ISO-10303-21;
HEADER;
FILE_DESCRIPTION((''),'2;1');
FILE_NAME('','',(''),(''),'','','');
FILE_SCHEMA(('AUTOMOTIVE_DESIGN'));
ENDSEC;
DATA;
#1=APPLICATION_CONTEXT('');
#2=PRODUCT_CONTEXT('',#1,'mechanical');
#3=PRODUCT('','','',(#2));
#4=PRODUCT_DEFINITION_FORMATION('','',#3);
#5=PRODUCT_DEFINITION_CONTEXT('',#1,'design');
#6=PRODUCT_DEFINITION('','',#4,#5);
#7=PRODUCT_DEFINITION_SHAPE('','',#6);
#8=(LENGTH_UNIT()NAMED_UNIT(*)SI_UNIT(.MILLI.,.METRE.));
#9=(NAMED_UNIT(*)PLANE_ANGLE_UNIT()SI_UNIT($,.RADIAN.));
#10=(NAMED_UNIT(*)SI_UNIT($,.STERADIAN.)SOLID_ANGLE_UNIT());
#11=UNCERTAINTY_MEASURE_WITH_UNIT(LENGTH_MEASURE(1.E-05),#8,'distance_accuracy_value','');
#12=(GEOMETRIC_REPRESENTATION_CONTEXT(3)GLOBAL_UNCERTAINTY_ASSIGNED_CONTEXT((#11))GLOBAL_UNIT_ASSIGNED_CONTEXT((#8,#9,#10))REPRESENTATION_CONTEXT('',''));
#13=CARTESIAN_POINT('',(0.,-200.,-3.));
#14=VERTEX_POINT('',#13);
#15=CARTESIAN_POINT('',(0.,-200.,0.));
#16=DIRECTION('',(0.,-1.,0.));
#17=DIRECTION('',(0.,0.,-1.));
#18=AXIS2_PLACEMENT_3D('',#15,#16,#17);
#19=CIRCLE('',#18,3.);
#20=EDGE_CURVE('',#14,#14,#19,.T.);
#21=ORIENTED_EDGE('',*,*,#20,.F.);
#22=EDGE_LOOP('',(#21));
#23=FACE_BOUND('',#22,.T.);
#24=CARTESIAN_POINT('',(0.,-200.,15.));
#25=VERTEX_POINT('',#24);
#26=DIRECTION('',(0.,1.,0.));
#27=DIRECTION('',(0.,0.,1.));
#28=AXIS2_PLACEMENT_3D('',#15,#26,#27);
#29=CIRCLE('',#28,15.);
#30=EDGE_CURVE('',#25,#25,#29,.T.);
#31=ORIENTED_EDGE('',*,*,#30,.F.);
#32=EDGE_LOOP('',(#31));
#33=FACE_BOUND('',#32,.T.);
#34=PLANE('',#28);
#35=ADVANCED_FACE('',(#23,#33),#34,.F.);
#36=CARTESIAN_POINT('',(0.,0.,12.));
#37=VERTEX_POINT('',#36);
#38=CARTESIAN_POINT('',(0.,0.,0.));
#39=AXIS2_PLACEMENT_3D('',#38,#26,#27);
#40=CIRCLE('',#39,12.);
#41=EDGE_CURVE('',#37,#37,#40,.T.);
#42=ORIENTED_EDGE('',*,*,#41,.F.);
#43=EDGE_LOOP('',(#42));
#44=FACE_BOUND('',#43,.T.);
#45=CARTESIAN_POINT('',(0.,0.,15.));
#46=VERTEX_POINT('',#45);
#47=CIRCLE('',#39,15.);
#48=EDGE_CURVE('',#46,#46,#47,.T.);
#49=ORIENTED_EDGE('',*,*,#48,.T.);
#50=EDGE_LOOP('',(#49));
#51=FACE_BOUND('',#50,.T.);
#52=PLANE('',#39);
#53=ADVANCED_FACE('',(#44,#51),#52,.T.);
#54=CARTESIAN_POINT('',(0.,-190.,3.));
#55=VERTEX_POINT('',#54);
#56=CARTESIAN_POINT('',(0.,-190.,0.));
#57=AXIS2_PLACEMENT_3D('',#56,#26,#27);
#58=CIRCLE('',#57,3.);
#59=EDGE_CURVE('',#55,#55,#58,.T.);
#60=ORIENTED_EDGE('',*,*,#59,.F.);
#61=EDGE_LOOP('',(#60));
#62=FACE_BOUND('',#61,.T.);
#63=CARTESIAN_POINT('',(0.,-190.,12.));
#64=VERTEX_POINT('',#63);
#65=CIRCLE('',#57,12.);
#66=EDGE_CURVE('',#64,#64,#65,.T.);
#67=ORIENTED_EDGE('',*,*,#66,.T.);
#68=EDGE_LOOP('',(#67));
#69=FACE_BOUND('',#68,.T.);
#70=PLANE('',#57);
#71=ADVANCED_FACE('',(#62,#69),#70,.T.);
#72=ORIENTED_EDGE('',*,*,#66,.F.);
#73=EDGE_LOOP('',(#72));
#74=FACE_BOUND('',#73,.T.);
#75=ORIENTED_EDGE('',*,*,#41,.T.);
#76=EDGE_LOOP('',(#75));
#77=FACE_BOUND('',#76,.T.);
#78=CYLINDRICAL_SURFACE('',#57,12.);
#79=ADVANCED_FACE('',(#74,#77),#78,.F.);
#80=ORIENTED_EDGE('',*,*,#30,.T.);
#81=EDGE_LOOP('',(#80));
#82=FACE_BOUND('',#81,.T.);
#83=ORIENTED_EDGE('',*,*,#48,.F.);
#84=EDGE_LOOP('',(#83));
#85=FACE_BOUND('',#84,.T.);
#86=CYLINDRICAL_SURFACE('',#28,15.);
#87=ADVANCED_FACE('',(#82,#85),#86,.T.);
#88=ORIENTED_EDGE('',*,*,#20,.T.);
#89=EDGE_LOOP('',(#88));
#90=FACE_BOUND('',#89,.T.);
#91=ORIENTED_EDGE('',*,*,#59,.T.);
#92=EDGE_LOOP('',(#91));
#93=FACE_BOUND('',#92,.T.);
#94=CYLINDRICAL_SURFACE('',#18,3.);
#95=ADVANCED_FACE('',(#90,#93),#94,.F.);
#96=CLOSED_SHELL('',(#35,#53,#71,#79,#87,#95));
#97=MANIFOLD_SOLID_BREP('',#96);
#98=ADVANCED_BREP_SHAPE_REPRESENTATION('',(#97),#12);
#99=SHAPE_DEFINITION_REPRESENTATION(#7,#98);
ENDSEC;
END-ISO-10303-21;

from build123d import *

# Parameters (mm, degrees)
SKETCH1_R                   = 15
EXTRUDE1_DEPTH              = 200
SKETCH2_R                   = 12
CUT_EXTRUDE1_DEPTH          = 190
M6_TAPPED_HOLE2_D           = 5
M6_TAPPED_HOLE2_DEPTH       = 15
M6_TAPPED_HOLE2_CBORE_D     = 6
M6_TAPPED_HOLE2_CBORE_DEPTH = 12
M6_TAPPED_HOLE2_TIP         = 1.502151548


with BuildPart() as part:
    # Sketch1 → Extrude1 (new body)
    with BuildSketch(Plane(origin=(0, 0, 0), x_dir=(1, 0, 0), z_dir=(0, 1, 0))):
        with Locations(Location((0, 0, 0), (0, 0, 270))):
            Circle(SKETCH1_R)
    extrude(amount=-EXTRUDE1_DEPTH)

    # Sketch2 → Cut-Extrude1 (cut)
    with BuildSketch(Plane(origin=(0, 0, 0), x_dir=(1, 0, 0), z_dir=(0, 1, 0))):
        with Locations(Location((0, 0, 0), (0, 0, 270))):
            Circle(SKETCH2_R)
    extrude(amount=-CUT_EXTRUDE1_DEPTH, mode=Mode.SUBTRACT)

    # M6 Tapped Hole2
    with Locations(Plane.XZ.offset(200)):
        with Locations((0, 0)):
            CounterBoreHole(M6_TAPPED_HOLE2_D / 2, M6_TAPPED_HOLE2_CBORE_D / 2, M6_TAPPED_HOLE2_CBORE_DEPTH, depth=M6_TAPPED_HOLE2_DEPTH)
            with Locations((0, 0, -(M6_TAPPED_HOLE2_DEPTH + M6_TAPPED_HOLE2_TIP / 2))):  # 118° drill point
                Cone(0, M6_TAPPED_HOLE2_D / 2, M6_TAPPED_HOLE2_TIP, mode=Mode.SUBTRACT)


solid = part.part
